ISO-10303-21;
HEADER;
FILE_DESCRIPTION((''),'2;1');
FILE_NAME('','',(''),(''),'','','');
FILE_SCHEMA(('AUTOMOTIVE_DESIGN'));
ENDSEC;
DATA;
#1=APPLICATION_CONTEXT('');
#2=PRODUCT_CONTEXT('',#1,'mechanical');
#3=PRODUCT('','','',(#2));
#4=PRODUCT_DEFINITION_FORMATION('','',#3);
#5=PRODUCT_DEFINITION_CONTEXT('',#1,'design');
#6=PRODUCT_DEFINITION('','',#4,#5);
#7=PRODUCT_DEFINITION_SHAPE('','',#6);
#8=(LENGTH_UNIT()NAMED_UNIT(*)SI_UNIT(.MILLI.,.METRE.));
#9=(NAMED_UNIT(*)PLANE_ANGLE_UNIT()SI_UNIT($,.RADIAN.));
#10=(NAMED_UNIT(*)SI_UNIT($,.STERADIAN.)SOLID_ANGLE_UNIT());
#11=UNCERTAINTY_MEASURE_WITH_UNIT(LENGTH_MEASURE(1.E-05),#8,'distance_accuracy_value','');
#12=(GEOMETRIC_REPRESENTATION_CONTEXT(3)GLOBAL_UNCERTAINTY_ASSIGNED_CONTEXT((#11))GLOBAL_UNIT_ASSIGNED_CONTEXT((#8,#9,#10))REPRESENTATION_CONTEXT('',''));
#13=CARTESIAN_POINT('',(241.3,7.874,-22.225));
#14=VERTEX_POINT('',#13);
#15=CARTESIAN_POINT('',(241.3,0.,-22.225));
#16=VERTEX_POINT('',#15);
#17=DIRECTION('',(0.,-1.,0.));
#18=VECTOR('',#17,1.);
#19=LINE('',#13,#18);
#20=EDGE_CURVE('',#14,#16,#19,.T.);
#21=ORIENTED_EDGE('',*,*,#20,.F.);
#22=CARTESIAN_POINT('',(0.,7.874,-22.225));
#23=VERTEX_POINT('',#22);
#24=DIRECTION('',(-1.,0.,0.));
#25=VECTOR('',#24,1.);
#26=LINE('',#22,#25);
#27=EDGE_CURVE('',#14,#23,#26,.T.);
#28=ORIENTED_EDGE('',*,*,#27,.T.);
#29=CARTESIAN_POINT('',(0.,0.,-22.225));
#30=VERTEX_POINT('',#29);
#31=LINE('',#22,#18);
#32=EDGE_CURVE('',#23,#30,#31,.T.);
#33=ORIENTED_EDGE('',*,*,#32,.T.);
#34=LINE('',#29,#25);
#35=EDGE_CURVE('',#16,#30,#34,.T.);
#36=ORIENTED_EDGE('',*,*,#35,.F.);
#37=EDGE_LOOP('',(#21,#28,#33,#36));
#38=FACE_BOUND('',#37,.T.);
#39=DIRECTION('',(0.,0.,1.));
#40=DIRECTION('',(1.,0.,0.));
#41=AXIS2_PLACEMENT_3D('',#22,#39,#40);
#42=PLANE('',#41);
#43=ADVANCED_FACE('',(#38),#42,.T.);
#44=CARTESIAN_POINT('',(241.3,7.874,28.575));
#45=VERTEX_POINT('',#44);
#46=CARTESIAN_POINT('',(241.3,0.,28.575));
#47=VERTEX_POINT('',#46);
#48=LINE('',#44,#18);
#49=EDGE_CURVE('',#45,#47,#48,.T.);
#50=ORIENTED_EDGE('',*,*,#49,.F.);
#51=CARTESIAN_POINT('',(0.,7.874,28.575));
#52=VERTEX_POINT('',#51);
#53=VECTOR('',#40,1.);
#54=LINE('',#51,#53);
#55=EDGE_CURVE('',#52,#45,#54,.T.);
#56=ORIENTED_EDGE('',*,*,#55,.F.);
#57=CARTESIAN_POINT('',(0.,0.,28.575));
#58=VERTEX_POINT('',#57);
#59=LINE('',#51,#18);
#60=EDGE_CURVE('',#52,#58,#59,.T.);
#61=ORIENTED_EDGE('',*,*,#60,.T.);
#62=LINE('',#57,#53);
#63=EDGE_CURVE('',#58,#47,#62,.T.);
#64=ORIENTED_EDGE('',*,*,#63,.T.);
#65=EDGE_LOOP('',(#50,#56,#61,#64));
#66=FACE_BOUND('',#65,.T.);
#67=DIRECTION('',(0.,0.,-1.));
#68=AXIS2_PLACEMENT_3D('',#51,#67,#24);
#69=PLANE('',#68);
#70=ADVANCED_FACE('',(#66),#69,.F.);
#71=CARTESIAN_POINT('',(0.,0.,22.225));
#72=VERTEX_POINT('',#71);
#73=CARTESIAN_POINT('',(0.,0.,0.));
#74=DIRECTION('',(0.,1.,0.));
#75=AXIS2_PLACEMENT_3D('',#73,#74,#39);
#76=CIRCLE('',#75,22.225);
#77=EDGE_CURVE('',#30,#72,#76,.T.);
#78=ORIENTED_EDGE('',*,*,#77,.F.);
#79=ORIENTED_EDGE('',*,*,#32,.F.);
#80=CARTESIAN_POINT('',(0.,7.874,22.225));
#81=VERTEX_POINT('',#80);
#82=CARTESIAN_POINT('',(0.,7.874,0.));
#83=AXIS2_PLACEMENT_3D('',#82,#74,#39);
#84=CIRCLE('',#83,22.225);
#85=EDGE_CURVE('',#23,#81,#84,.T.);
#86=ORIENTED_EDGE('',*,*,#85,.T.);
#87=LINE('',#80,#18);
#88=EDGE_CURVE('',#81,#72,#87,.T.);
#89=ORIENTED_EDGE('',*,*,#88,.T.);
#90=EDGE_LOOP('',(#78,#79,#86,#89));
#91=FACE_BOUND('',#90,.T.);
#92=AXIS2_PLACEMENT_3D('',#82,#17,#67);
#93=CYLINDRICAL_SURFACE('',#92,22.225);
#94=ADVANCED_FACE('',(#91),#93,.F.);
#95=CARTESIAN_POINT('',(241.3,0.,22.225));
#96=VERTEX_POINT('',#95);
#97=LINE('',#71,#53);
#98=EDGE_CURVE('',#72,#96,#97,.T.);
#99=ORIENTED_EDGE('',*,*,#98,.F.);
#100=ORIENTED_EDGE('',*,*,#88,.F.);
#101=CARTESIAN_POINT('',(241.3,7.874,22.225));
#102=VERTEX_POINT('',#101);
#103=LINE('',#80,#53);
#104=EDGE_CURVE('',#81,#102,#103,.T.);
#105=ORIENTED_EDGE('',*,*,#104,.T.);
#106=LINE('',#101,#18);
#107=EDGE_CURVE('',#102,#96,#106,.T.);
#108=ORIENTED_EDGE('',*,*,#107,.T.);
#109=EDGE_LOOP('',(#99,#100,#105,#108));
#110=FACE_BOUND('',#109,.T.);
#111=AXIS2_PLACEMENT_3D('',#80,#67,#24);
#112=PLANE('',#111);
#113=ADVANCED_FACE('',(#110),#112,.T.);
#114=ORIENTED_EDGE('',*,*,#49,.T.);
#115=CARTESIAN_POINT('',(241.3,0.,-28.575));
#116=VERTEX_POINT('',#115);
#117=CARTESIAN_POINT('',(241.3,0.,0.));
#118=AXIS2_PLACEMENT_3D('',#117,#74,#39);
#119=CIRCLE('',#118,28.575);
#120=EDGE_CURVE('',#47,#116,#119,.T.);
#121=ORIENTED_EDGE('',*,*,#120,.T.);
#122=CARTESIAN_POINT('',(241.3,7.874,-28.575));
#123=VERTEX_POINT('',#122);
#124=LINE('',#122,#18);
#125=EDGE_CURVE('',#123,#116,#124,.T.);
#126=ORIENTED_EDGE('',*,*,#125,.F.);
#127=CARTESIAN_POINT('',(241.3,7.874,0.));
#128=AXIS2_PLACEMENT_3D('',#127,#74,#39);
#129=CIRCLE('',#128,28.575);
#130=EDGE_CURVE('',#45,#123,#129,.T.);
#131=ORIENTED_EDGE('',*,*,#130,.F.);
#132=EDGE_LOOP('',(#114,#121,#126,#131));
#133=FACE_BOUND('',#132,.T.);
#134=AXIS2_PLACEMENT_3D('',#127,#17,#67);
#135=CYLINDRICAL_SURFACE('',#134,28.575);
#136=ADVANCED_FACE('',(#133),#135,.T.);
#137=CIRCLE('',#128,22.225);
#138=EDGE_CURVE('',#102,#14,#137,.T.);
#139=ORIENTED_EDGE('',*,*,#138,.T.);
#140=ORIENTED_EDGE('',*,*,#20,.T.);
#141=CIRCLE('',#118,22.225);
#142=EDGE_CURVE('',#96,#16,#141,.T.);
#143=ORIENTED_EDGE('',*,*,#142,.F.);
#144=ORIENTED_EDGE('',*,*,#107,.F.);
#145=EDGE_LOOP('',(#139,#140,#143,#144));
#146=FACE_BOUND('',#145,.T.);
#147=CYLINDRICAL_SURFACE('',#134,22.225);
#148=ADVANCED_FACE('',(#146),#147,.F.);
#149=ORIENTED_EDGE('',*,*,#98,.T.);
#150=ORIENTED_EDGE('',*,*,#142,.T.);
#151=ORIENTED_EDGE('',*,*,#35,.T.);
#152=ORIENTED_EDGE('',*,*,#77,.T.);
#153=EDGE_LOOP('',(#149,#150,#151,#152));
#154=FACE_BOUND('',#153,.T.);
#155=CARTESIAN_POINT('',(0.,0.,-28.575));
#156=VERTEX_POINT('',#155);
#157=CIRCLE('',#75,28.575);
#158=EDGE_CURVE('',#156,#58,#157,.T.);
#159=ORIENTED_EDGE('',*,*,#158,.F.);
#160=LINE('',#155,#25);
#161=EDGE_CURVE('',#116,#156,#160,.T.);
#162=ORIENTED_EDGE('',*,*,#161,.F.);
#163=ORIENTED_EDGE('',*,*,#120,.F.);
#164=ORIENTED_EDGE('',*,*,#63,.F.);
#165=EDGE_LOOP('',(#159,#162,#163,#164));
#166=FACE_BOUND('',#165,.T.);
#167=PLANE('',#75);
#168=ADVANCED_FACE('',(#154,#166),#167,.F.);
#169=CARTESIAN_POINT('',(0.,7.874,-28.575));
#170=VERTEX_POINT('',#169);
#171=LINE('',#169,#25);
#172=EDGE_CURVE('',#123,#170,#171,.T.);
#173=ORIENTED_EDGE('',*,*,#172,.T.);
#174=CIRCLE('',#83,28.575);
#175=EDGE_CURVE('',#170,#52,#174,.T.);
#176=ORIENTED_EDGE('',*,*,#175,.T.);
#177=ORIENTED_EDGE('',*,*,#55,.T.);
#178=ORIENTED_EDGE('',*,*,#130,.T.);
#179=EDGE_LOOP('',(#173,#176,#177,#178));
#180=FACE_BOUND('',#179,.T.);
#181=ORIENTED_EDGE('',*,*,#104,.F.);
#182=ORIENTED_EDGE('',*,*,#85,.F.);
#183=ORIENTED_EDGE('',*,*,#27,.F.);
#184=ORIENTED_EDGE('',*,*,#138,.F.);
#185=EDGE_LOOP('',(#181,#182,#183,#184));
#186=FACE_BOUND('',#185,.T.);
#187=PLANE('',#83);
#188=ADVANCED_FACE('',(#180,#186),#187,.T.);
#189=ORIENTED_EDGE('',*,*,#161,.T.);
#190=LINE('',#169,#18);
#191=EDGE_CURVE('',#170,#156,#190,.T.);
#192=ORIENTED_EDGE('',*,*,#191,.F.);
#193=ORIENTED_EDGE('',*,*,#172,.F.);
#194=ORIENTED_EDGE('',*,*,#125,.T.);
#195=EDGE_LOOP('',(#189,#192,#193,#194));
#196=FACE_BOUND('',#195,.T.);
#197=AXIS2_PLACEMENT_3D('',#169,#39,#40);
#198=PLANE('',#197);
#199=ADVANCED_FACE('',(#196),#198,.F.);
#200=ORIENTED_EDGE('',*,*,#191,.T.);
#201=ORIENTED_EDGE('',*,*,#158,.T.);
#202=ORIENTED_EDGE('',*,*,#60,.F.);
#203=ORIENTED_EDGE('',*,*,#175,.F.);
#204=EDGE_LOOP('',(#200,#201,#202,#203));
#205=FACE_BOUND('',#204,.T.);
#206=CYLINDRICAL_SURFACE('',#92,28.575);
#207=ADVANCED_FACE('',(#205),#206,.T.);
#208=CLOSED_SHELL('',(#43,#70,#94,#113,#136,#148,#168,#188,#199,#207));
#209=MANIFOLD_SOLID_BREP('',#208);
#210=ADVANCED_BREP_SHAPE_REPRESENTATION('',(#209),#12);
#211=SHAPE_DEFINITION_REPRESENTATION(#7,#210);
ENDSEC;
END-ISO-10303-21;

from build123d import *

# Parameters (mm, degrees)
BOSS_EXTRUDE1_DEPTH = 7.874


with BuildPart() as part:
    # Sketch1 → Boss-Extrude1 (new body)
    with BuildSketch(Plane(origin=(0, 0, 0), x_dir=(1, 0, 0), z_dir=(0, 1, 0))):
        with BuildLine():
            Line((0, 28.575), (241.3, 28.575))
            ThreePointArc((241.3, 28.575), (269.875, 0), (241.3, -28.575))
            Line((241.3, -28.575), (0, -28.575))
            ThreePointArc((0, -28.575), (-28.575, 0), (0, 28.575))
        make_face()
        with BuildLine():
            Line((0, 22.225), (241.3, 22.225))
            ThreePointArc((241.3, 22.225), (263.525, 0), (241.3, -22.225))
            Line((241.3, -22.225), (0, -22.225))
            ThreePointArc((0, -22.225), (-22.225, 0), (0, 22.225))
        make_face(mode=Mode.SUBTRACT)
    extrude(amount=BOSS_EXTRUDE1_DEPTH)


solid = part.part
